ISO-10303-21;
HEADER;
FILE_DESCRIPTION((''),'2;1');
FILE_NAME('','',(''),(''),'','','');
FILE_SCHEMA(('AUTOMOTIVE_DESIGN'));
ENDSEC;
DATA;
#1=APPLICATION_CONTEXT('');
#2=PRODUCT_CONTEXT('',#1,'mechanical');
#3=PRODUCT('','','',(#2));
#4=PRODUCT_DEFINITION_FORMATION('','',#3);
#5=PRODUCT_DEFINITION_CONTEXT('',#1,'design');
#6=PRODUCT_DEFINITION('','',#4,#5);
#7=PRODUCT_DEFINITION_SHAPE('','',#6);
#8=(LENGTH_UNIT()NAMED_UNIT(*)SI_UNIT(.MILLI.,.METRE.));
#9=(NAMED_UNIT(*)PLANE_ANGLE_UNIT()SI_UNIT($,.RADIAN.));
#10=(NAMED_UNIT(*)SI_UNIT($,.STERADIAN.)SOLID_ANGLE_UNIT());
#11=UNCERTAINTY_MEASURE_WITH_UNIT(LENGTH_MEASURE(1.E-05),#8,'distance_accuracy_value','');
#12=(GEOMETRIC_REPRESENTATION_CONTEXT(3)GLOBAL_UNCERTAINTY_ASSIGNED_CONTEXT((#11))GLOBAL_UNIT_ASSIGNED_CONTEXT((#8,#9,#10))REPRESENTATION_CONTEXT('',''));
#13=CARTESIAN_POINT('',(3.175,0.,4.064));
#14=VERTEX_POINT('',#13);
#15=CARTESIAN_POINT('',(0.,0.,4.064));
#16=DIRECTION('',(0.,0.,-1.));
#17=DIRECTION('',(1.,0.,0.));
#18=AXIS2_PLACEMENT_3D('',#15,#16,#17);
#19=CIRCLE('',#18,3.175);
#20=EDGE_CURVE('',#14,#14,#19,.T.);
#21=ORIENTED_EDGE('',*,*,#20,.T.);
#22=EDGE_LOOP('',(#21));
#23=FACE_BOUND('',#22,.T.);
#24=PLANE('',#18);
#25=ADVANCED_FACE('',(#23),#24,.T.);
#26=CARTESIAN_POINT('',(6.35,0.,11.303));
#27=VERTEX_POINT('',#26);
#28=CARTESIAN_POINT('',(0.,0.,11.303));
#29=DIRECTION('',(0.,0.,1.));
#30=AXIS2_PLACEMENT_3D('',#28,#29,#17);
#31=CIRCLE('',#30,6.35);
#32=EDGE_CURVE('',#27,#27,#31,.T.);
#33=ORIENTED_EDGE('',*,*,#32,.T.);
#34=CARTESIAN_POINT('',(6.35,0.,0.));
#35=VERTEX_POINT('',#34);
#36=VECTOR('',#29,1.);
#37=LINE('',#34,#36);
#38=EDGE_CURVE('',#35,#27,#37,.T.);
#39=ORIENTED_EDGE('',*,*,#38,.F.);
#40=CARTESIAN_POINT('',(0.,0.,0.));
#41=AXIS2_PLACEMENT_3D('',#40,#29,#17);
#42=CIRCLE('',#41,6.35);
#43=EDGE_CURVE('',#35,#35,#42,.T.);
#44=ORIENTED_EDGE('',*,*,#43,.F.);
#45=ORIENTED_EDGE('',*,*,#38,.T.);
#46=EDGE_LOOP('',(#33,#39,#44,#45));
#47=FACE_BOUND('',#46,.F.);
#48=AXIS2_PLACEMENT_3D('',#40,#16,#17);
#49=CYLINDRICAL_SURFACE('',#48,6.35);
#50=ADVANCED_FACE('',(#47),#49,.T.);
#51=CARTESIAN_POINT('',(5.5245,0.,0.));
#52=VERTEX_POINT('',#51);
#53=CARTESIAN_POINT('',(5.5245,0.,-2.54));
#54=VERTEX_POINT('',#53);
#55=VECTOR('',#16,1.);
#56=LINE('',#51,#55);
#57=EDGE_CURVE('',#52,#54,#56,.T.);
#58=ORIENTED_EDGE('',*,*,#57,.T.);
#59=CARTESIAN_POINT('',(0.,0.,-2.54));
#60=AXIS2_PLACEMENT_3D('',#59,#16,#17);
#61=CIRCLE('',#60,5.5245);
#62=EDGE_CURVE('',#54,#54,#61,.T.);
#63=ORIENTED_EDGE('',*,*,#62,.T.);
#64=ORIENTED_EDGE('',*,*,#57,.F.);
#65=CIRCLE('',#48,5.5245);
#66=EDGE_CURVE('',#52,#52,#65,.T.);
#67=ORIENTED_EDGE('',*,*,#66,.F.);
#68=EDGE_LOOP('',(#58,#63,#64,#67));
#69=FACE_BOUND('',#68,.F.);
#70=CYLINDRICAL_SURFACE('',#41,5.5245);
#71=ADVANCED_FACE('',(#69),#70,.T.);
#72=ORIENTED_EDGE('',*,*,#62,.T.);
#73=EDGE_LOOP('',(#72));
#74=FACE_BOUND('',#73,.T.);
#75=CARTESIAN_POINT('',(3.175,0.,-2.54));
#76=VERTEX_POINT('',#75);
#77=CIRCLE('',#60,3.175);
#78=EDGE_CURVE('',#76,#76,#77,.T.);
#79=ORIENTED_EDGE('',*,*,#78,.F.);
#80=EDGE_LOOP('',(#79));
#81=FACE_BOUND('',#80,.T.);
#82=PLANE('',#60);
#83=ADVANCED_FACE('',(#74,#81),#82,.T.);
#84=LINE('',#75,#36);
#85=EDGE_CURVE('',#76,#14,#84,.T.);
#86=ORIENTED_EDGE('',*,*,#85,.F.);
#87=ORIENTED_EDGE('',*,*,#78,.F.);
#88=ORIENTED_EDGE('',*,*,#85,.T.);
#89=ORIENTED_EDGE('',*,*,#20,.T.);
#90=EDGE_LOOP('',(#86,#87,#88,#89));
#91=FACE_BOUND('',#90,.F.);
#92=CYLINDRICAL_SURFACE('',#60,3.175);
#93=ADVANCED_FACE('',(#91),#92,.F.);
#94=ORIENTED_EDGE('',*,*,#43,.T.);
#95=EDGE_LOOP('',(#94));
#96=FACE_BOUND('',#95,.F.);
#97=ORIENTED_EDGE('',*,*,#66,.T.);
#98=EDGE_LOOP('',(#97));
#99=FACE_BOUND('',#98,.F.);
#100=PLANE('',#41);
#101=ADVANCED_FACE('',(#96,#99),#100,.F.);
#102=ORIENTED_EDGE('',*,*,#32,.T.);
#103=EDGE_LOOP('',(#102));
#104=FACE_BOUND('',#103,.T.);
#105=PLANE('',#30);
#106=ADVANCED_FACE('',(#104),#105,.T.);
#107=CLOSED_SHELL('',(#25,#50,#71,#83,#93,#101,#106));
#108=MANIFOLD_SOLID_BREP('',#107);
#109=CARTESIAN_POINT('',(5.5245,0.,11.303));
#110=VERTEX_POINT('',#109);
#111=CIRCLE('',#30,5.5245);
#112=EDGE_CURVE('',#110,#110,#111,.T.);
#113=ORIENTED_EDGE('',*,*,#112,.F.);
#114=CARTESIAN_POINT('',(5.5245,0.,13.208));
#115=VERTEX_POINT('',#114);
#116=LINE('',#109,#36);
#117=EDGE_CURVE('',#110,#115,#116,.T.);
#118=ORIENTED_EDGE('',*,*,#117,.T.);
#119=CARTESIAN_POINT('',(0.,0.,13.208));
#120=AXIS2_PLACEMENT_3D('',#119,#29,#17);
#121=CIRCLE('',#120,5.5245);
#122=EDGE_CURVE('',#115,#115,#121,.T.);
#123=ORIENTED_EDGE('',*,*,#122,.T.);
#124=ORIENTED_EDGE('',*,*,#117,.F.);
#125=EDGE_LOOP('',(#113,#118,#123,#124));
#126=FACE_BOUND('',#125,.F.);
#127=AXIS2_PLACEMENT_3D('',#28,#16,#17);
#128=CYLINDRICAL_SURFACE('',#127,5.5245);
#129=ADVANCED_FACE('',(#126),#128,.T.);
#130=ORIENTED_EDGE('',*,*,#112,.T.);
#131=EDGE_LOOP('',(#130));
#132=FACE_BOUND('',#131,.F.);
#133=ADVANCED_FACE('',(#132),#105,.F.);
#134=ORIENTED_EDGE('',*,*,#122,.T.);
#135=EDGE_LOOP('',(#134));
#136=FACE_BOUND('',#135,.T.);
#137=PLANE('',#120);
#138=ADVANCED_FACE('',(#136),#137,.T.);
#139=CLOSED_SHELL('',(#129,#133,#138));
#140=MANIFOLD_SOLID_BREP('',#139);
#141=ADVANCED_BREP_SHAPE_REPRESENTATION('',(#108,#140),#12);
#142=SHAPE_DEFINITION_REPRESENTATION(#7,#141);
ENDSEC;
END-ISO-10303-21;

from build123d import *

# Parameters (mm, degrees)
F0_R     = 6.35
F1_DEPTH = 11.303
F2_R     = 5.5245
F3_DEPTH = 1.905
F4_R     = 5.5245
F5_DEPTH = 2.54
F6_R     = 3.175
F7_DEPTH = 6.604


with BuildPart() as f1:
    # F0 (on Top) → F1 (new body)
    with BuildSketch(Plane.XY):
        Circle(F0_R)
    extrude(amount=F1_DEPTH)

    # F4 (on face) → F5 (join)
    with BuildSketch(Plane(origin=(0, 0, 0), x_dir=(1, 0, 0), z_dir=(0, 0, -1))):
        Circle(F4_R)
    extrude(amount=F5_DEPTH)

    # F6 (on face) → F7 (cut)
    with BuildSketch(Plane(origin=(0, 0, -2.54), x_dir=(1, 0, 0), z_dir=(0, 0, -1))):
        Circle(F6_R)
    extrude(amount=-F7_DEPTH, mode=Mode.SUBTRACT)


with BuildPart() as f3:
    # F2 (on face) → F3 (new body)
    with BuildSketch(Plane.XY.offset(11.303)):
        Circle(F2_R)
    extrude(amount=F3_DEPTH)


solid = Compound([f1.part, f3.part])
